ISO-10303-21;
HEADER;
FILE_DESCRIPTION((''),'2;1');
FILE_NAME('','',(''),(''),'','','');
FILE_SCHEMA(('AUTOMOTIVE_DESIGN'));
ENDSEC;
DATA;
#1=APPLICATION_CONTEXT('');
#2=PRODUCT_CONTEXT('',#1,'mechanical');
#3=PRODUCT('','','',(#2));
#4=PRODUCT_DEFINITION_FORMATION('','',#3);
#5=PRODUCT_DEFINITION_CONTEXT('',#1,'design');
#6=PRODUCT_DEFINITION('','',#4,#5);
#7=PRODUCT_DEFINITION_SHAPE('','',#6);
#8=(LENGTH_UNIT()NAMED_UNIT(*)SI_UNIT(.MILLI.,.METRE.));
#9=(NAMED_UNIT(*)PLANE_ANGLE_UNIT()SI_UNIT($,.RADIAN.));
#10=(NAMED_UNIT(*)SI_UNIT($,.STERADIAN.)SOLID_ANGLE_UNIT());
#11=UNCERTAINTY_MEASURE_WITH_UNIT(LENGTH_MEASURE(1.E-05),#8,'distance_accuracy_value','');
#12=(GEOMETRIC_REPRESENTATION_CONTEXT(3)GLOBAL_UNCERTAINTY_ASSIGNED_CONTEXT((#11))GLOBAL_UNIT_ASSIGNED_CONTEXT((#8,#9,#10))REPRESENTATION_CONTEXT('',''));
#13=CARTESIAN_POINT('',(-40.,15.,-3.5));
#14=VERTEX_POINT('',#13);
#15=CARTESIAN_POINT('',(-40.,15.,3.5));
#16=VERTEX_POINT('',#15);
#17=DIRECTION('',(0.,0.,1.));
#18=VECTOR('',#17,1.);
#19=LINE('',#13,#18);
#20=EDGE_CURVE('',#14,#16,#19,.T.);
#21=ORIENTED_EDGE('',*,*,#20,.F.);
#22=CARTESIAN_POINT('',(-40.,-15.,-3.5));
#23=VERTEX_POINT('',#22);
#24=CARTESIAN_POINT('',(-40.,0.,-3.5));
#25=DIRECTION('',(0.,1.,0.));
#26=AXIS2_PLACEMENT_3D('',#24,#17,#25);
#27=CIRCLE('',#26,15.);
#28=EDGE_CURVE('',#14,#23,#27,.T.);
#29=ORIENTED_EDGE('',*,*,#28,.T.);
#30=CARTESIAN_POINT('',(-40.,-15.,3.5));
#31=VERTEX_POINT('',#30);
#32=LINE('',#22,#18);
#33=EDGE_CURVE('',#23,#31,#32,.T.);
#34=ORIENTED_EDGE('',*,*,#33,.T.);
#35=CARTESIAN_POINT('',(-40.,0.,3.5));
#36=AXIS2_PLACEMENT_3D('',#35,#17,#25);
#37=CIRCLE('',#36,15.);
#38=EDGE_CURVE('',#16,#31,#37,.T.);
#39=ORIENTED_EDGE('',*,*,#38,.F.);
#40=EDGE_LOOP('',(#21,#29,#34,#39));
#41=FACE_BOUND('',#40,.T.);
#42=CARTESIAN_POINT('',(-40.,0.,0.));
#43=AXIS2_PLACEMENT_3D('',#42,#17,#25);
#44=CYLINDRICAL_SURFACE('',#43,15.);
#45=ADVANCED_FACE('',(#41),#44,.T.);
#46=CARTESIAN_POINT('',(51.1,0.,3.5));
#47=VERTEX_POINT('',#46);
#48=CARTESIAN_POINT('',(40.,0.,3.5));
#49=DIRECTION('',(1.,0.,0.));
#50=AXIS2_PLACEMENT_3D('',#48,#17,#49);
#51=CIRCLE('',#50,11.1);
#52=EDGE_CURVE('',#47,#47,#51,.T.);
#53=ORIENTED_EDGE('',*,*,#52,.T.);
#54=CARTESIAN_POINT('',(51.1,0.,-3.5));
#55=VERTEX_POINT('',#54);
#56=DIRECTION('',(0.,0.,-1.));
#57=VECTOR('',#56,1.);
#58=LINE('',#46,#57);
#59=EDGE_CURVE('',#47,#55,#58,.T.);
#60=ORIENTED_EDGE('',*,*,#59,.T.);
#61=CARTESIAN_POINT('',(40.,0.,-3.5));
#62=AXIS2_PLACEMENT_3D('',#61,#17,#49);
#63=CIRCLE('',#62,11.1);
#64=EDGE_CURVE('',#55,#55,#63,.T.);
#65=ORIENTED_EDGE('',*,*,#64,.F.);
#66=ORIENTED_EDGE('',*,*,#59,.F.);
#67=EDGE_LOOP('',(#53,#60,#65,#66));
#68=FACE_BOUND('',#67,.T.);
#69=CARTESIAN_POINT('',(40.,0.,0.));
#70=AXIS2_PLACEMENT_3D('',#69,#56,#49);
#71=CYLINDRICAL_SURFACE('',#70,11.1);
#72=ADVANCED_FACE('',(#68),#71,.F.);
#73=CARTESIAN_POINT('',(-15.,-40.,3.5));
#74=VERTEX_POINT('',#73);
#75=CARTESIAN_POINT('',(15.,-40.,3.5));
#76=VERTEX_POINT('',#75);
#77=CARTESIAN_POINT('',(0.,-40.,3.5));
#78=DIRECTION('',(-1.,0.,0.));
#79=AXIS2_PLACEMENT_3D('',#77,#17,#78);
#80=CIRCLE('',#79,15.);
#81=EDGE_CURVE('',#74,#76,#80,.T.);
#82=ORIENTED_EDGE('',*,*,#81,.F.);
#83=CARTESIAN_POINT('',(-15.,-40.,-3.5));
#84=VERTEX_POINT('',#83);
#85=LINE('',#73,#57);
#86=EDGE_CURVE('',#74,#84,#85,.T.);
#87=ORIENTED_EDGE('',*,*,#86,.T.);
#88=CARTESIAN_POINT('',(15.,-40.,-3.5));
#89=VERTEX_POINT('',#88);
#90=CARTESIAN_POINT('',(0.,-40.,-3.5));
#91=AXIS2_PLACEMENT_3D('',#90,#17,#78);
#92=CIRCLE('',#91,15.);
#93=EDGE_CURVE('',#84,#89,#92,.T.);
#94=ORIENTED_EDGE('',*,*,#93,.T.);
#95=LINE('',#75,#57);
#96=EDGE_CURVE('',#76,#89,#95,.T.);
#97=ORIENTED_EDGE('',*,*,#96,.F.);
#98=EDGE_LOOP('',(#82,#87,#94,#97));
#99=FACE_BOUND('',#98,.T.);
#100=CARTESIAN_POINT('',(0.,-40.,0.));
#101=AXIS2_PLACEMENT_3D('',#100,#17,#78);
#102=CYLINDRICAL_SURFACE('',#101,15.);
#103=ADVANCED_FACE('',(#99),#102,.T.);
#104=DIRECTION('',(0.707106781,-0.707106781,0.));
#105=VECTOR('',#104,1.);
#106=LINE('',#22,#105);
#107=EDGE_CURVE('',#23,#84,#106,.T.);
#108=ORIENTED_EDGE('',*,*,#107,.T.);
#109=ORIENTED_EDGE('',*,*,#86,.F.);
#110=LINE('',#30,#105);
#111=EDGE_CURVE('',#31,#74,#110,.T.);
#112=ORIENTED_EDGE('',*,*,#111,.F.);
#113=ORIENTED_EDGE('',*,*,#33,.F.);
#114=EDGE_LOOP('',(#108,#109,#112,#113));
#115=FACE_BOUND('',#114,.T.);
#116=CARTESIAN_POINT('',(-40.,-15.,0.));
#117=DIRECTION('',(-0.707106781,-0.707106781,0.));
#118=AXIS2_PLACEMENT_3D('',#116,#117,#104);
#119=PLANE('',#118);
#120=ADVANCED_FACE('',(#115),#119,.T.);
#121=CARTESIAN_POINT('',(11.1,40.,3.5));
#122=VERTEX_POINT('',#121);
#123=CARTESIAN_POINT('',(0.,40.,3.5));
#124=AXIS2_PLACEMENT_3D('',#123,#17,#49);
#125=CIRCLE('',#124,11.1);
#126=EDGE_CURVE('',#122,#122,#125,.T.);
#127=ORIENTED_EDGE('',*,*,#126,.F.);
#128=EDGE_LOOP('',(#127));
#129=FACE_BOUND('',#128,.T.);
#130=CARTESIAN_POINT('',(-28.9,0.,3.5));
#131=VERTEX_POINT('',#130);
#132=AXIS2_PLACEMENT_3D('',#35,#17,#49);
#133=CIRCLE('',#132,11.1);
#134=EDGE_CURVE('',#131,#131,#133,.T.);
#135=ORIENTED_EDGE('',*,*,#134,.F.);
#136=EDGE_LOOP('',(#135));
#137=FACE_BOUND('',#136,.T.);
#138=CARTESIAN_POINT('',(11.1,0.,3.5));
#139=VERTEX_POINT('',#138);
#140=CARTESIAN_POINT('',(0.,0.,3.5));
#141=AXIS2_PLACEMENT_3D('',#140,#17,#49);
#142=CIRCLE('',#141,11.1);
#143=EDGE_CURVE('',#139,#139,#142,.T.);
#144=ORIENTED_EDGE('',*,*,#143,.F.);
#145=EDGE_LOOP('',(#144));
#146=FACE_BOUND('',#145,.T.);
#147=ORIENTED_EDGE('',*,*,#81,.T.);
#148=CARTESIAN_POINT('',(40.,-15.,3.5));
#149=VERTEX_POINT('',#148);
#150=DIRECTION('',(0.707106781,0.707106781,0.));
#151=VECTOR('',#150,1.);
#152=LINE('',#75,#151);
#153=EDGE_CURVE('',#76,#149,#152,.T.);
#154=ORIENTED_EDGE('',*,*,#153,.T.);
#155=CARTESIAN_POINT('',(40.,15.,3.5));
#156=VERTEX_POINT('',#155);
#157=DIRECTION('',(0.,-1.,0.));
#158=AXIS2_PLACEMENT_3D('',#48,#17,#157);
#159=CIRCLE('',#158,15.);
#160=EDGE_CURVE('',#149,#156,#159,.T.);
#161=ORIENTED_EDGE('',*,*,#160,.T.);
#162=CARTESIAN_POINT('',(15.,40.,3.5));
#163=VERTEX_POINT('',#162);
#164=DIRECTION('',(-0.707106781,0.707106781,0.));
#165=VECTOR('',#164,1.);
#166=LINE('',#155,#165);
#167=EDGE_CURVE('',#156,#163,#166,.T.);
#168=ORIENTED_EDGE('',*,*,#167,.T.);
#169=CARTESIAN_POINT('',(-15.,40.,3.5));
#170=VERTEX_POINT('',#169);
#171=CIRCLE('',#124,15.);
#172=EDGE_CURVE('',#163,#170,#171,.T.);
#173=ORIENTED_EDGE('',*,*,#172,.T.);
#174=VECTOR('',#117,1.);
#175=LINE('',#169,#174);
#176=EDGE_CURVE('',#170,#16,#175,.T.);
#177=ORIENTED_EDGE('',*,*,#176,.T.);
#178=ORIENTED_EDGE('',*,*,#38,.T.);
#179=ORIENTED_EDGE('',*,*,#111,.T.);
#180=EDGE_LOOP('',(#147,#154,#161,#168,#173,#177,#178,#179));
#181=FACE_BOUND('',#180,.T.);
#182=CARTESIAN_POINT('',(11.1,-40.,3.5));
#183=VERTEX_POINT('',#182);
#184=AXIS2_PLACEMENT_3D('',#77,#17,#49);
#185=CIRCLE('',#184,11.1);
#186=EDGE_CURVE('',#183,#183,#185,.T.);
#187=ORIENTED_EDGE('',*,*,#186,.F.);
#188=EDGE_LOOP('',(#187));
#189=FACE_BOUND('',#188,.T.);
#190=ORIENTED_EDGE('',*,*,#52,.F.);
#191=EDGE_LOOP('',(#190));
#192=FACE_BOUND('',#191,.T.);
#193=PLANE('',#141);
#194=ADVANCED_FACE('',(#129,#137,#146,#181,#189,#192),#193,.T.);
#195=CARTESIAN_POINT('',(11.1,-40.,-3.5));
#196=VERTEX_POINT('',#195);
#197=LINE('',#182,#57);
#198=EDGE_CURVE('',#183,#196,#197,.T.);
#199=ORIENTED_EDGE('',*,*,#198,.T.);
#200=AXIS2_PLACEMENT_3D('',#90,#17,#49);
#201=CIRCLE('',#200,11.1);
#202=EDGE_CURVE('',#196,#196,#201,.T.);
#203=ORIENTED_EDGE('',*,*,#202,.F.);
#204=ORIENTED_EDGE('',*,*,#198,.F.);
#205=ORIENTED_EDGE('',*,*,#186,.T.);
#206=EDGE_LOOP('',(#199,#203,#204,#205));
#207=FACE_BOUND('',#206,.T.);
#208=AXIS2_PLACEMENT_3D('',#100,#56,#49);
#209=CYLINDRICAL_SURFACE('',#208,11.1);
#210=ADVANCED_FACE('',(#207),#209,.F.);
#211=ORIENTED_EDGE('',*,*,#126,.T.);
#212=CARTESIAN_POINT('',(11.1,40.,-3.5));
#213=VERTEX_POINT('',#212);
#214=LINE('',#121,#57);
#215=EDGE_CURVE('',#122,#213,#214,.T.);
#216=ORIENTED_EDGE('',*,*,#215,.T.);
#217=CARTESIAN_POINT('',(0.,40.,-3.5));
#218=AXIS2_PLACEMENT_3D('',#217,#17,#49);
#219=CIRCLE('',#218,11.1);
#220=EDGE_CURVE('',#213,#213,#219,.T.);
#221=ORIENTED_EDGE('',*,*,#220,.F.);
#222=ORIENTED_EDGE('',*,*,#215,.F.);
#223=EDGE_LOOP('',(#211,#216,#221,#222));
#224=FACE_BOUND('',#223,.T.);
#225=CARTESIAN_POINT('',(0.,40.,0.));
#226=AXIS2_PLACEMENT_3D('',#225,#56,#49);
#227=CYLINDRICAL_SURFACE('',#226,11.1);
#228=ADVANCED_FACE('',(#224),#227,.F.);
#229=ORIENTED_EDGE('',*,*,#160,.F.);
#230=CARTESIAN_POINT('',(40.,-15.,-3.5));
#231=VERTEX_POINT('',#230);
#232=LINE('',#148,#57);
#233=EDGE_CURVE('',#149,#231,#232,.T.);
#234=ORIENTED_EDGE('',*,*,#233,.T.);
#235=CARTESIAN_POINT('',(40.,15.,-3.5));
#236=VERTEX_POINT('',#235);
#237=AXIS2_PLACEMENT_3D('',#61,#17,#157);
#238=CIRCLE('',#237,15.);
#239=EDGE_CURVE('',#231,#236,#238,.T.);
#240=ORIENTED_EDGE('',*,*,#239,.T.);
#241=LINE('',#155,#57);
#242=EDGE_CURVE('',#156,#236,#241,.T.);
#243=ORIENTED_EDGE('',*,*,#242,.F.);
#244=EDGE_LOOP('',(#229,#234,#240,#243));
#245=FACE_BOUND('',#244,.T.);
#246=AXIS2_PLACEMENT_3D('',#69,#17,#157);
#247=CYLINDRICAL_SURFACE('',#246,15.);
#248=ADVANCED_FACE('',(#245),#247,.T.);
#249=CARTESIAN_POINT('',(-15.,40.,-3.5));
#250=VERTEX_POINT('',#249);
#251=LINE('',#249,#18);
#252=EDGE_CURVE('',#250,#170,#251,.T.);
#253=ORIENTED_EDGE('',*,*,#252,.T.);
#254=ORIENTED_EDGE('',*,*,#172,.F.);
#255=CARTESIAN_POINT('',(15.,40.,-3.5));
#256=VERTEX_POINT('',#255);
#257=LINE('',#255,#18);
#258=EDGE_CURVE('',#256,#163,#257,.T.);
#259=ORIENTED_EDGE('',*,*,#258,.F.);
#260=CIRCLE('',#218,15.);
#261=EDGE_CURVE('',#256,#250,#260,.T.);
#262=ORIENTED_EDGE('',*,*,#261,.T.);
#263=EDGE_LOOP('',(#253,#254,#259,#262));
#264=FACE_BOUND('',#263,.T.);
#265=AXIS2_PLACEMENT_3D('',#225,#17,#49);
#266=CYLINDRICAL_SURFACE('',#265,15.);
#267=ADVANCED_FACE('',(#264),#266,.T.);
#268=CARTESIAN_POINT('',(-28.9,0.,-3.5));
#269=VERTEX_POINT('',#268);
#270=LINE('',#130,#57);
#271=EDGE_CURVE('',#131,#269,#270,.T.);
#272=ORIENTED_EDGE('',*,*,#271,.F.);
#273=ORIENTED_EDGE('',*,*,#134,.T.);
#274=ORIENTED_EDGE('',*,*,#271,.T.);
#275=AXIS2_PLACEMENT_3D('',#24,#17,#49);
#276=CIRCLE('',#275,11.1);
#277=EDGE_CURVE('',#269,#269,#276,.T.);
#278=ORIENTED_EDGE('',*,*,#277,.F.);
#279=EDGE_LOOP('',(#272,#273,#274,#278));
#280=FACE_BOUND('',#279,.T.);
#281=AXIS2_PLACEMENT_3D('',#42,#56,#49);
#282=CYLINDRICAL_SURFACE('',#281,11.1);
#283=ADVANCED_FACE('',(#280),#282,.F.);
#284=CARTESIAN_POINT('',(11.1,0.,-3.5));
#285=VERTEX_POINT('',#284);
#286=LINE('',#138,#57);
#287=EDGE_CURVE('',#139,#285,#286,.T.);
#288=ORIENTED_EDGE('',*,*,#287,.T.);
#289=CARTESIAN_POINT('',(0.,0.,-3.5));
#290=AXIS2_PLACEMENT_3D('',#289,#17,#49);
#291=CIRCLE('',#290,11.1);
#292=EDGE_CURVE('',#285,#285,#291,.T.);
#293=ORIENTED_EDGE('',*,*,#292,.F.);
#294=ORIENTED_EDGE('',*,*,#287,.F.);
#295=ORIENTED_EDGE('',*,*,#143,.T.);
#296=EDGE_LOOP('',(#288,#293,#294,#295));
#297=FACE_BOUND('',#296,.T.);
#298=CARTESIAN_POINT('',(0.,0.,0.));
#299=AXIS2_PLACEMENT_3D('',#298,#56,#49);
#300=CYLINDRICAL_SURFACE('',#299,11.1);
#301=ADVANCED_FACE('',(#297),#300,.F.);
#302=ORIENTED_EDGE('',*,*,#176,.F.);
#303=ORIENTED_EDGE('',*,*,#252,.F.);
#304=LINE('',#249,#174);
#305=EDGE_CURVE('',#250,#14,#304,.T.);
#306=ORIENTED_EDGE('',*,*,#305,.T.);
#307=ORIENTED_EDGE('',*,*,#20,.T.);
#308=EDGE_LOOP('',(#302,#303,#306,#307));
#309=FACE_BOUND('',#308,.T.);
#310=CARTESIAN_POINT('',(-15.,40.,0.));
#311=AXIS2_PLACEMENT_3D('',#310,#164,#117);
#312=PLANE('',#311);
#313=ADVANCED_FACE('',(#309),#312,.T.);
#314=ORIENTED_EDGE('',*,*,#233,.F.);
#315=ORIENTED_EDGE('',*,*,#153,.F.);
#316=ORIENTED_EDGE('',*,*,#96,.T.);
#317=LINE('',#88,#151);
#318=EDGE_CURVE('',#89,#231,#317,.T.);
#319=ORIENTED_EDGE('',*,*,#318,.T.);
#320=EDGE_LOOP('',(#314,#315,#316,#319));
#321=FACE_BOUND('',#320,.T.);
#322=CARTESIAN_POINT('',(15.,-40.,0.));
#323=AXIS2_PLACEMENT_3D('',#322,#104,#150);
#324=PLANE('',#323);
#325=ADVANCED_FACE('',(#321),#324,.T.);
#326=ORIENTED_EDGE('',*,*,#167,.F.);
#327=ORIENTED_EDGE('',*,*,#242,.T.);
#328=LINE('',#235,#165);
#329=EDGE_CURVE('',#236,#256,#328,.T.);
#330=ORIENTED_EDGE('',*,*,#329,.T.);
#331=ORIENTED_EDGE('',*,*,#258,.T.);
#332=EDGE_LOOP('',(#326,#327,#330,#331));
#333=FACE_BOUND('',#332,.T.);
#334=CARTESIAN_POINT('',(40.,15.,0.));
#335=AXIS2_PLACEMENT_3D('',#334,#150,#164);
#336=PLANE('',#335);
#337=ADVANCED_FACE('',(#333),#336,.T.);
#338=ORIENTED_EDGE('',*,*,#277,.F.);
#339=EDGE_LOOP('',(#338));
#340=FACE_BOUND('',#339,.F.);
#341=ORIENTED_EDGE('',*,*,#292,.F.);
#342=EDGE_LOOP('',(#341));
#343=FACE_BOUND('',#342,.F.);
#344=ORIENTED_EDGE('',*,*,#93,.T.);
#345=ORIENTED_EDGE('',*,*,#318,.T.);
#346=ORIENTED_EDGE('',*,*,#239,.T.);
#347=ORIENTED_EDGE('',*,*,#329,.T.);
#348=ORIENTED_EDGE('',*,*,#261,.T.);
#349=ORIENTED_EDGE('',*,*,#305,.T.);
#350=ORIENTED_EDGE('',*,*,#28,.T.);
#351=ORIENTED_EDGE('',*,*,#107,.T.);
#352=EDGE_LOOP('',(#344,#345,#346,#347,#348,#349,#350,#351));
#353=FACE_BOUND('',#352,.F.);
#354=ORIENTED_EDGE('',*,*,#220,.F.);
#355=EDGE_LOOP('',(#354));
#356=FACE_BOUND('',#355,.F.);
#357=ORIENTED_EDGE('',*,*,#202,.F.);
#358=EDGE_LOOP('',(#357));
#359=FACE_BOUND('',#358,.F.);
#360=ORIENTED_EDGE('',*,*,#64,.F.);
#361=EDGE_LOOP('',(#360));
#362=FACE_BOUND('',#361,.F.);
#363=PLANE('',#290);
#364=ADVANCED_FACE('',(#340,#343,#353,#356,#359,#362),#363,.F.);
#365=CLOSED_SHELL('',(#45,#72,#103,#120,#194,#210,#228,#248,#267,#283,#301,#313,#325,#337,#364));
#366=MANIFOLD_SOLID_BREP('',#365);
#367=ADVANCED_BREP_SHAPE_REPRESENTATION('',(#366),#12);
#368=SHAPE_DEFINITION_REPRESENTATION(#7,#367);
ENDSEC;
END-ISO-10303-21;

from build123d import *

# Parameters (mm, degrees)
F0_R     = 11.1
F1_DEPTH = 3.5


with BuildPart() as f1:
    # F0 (on Top) → F1 (new body, symmetric)
    with BuildSketch(Plane.XY):
        with BuildLine():
            Line((40, 15), (15, 40))
            ThreePointArc((15, 40), (0, 55), (-15, 40))
            Line((-15, 40), (-40, 15))
            ThreePointArc((-40, 15), (-55, 0), (-40, -15))
            Line((-40, -15), (-15, -40))
            ThreePointArc((-15, -40), (0, -55), (15, -40))
            Line((15, -40), (40, -15))
            ThreePointArc((40, -15), (55, 0), (40, 15))
        make_face()
        with Locations((0, -40)):
            Circle(F0_R, mode=Mode.SUBTRACT)
        with Locations((-40, 0)):
            Circle(F0_R, mode=Mode.SUBTRACT)
        Circle(F0_R, mode=Mode.SUBTRACT)
        with Locations((40, 0)):
            Circle(F0_R, mode=Mode.SUBTRACT)
        with Locations((0, 40)):
            Circle(F0_R, mode=Mode.SUBTRACT)
    extrude(amount=F1_DEPTH, both=True)


solid = f1.part
